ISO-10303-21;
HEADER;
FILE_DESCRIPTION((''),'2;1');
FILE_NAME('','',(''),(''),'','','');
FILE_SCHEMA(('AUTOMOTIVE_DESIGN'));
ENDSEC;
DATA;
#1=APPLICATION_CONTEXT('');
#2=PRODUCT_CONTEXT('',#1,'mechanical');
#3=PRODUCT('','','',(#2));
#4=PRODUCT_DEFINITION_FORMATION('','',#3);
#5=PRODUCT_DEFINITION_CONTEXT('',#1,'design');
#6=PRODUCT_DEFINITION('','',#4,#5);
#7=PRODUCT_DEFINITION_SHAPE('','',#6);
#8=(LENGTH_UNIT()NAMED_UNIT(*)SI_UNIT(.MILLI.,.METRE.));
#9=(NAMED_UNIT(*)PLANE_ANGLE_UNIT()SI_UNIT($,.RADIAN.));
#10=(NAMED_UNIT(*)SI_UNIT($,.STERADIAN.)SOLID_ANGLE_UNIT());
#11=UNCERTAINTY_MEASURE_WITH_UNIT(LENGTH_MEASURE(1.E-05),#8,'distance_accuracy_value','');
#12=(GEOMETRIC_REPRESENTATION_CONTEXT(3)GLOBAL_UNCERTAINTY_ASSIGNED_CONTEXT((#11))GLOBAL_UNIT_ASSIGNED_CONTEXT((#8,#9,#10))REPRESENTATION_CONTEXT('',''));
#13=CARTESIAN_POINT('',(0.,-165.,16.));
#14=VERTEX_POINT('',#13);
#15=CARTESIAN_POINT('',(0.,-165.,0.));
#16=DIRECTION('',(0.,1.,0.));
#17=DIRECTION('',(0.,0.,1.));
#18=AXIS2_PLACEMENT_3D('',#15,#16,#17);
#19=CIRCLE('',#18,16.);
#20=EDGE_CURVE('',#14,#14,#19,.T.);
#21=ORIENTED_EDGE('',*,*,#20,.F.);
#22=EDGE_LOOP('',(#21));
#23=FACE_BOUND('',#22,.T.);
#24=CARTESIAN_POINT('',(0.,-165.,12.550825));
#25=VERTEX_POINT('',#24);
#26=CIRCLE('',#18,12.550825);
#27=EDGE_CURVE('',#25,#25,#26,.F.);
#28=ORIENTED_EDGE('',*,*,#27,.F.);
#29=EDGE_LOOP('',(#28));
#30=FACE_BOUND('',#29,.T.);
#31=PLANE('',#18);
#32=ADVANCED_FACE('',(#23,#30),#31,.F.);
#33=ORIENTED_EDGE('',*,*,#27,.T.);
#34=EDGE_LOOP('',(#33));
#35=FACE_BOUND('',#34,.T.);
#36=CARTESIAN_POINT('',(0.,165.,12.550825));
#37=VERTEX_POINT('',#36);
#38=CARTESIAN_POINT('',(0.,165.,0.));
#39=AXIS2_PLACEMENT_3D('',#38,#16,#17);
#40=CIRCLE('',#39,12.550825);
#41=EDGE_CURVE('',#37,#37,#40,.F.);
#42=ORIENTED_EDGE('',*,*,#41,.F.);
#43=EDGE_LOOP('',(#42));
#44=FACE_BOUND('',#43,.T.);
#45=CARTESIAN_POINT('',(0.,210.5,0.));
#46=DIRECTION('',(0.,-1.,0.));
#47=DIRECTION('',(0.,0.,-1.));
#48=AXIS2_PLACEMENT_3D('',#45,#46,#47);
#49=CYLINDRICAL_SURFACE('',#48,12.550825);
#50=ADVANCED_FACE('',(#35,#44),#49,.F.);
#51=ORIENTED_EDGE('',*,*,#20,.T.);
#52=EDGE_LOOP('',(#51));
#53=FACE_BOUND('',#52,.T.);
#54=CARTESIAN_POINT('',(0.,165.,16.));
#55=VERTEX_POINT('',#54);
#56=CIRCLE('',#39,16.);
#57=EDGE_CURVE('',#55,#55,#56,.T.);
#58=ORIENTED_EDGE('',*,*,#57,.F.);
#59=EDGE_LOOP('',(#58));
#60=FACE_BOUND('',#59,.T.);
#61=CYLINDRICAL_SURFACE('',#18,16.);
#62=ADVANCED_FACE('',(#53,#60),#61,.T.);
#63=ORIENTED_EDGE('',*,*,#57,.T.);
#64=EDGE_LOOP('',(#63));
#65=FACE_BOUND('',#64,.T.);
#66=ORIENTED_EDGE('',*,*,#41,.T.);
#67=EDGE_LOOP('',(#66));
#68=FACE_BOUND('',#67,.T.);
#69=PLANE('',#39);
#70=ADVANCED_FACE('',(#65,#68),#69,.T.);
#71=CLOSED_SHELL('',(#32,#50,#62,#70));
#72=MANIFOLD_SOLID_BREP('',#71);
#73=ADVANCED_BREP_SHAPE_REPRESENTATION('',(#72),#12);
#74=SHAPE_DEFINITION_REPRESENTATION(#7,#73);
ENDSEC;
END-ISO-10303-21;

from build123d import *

# Parameters (mm, degrees)
SALIENTE_EXTRUIR1_DEPTH      = 165
SALIENTE_EXTRUIR1_DEPTH_BACK = 165
CROQUIS2_R                   = 16
CROQUIS4_R                   = 12.550824819
CORTAR_EXTRUIR1_DEPTH        = 210.5


with BuildPart() as part:
    # Croquis2 → Saliente-Extruir1 (new, two sides: drawn at the far end of the back side and taken through both)
    with BuildSketch(Plane(origin=(0, 0, 0), x_dir=(1, 0, 0), z_dir=(0, 1, 0)).offset(-SALIENTE_EXTRUIR1_DEPTH_BACK)):
        Circle(CROQUIS2_R)
    extrude(amount=SALIENTE_EXTRUIR1_DEPTH + SALIENTE_EXTRUIR1_DEPTH_BACK)

    # Croquis4 → Cortar-Extruir1 (cut, symmetric)
    with BuildSketch(Plane(origin=(0, 0, 0), x_dir=(1, 0, 0), z_dir=(0, 1, 0))):
        Circle(CROQUIS4_R)
    extrude(amount=CORTAR_EXTRUIR1_DEPTH, both=True, mode=Mode.SUBTRACT)


solid = part.part
